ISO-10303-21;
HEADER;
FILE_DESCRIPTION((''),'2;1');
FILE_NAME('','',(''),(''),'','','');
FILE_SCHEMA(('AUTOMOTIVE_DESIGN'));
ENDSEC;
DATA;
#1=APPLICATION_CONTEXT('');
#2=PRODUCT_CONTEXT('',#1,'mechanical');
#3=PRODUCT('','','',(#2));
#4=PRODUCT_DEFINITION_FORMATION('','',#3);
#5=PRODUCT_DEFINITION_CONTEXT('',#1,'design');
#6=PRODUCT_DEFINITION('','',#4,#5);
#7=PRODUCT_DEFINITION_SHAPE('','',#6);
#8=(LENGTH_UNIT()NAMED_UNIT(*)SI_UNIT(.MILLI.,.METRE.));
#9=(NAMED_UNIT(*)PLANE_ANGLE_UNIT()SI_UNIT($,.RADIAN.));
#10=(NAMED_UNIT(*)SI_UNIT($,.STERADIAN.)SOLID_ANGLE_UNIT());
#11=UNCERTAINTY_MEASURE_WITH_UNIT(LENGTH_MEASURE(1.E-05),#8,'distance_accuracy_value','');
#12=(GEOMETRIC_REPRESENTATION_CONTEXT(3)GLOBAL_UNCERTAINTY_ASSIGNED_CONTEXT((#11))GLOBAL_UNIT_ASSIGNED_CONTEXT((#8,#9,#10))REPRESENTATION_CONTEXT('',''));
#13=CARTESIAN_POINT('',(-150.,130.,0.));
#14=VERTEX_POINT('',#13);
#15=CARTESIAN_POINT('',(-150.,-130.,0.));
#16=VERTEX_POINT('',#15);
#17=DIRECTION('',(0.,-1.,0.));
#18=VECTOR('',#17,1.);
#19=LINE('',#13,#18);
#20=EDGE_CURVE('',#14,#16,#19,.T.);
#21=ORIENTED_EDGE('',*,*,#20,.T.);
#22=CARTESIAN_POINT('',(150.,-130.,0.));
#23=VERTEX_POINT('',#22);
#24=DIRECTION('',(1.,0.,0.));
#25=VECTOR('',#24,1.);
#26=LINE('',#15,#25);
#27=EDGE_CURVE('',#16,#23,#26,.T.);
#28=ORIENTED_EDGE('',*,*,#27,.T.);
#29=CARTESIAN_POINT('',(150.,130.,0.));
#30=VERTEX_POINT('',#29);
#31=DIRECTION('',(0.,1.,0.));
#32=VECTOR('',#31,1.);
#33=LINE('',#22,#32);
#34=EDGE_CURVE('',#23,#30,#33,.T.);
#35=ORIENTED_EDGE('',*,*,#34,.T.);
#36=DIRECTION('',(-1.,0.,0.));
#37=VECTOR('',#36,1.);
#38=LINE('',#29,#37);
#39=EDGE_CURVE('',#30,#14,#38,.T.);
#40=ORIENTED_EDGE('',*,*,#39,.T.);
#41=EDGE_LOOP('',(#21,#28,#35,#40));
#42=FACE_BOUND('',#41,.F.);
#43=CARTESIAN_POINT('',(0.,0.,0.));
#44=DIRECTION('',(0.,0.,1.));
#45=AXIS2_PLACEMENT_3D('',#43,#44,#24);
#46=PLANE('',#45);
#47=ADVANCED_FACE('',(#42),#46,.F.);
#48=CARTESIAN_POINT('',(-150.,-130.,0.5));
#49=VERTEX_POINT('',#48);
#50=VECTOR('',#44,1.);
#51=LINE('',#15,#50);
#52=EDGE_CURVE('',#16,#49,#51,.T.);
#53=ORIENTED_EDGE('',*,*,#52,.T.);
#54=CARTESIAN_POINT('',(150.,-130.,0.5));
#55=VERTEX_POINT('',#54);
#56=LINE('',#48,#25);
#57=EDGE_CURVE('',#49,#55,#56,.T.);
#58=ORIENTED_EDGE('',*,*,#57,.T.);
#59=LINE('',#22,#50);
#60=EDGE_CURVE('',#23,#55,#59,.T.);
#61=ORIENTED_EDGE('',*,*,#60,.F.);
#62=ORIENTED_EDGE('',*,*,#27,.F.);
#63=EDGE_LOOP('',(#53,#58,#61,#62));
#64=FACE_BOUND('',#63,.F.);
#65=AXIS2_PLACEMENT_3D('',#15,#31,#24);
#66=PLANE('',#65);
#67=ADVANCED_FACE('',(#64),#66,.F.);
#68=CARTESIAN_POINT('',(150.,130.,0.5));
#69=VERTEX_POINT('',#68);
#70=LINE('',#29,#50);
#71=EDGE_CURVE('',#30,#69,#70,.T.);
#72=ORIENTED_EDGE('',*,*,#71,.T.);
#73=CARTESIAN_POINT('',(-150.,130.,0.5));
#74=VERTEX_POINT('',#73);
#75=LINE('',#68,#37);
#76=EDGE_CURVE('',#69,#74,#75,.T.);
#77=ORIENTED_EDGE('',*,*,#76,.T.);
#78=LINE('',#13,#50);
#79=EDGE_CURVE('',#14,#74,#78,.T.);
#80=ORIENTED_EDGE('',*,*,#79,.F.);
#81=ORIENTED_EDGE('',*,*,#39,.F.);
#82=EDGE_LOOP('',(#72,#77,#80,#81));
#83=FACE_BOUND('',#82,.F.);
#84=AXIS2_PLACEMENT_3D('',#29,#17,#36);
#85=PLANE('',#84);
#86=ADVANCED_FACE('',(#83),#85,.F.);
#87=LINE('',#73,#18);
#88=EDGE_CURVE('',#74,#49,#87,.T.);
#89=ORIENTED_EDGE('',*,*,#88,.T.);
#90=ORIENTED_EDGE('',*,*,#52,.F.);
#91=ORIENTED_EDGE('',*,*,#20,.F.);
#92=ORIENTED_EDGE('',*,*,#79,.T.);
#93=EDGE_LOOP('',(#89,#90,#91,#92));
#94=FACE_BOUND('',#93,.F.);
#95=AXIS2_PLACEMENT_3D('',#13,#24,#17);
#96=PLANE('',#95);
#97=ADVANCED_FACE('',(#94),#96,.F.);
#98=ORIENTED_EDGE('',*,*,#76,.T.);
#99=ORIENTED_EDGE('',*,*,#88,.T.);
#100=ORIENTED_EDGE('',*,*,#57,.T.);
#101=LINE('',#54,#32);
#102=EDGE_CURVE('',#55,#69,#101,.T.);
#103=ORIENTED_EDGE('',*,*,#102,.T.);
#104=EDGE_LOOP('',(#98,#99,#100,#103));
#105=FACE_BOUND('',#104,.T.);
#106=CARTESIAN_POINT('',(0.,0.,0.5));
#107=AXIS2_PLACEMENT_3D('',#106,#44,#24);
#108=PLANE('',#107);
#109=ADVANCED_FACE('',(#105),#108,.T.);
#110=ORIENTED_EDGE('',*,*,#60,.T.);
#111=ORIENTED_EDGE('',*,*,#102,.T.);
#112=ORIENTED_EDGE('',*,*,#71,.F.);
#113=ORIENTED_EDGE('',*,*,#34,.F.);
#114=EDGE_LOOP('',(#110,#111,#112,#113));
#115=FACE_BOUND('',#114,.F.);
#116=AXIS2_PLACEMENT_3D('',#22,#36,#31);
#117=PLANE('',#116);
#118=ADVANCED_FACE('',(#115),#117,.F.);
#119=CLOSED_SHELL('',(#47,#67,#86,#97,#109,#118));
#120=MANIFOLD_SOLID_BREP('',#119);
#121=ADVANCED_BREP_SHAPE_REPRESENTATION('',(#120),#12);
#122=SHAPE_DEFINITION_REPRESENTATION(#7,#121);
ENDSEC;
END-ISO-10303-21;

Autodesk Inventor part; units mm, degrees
ref_plane "YZ Plane" through (0, 0, 0) normal (1, 0, 0) x (0, 1, 0)
ref_plane "XZ Plane" through (0, 0, 0) normal (0, 1, 0) x (-1, 0, 0)
ref_plane "XY Plane" through (0, 0, 0) normal (0, 0, 1) x (1, 0, 0)
sketch "Sketch1" plane through (0, 0, 0) normal (0, 0, 1) x (1, 0, 0)
  line L0 (-150, -130) -> (150, -130)
  line L1 (150, -130) -> (150, 130)
  line L2 (150, 130) -> (-150, 130)
  line L3 (-150, 130) -> (-150, -130)
  line L4 (-150, -130) -> (150, 130) construction
  line L5 (150, -130) -> (-150, 130) construction
  point P0 (0, 0)
  dimension "d0" = 300
  dimension "d1" = 260
extrude "Plate1" add sketch "Sketch1" along normal blind 0.5
equation "\"BendRadius\" = Thickness"
equation "\"BendReliefWidth\" = Thickness"
equation "\"BendReliefDepth\" = 0.5 * Thickness"
equation "\"CornerReliefSize\" = 4 * Thickness"
equation "\"MinimumRemnant\" = 2 * Thickness"
equation "\"TransitionRadius\" = BendRadius"
equation "\"JacobiRadiusSize\" = BendRadius"
equation "\"GapSize\" = Thickness"
equation "\"d2\" = BendRadius"
equation "\"Thickness\" = 0.5"
properties part number "leftPanel"
